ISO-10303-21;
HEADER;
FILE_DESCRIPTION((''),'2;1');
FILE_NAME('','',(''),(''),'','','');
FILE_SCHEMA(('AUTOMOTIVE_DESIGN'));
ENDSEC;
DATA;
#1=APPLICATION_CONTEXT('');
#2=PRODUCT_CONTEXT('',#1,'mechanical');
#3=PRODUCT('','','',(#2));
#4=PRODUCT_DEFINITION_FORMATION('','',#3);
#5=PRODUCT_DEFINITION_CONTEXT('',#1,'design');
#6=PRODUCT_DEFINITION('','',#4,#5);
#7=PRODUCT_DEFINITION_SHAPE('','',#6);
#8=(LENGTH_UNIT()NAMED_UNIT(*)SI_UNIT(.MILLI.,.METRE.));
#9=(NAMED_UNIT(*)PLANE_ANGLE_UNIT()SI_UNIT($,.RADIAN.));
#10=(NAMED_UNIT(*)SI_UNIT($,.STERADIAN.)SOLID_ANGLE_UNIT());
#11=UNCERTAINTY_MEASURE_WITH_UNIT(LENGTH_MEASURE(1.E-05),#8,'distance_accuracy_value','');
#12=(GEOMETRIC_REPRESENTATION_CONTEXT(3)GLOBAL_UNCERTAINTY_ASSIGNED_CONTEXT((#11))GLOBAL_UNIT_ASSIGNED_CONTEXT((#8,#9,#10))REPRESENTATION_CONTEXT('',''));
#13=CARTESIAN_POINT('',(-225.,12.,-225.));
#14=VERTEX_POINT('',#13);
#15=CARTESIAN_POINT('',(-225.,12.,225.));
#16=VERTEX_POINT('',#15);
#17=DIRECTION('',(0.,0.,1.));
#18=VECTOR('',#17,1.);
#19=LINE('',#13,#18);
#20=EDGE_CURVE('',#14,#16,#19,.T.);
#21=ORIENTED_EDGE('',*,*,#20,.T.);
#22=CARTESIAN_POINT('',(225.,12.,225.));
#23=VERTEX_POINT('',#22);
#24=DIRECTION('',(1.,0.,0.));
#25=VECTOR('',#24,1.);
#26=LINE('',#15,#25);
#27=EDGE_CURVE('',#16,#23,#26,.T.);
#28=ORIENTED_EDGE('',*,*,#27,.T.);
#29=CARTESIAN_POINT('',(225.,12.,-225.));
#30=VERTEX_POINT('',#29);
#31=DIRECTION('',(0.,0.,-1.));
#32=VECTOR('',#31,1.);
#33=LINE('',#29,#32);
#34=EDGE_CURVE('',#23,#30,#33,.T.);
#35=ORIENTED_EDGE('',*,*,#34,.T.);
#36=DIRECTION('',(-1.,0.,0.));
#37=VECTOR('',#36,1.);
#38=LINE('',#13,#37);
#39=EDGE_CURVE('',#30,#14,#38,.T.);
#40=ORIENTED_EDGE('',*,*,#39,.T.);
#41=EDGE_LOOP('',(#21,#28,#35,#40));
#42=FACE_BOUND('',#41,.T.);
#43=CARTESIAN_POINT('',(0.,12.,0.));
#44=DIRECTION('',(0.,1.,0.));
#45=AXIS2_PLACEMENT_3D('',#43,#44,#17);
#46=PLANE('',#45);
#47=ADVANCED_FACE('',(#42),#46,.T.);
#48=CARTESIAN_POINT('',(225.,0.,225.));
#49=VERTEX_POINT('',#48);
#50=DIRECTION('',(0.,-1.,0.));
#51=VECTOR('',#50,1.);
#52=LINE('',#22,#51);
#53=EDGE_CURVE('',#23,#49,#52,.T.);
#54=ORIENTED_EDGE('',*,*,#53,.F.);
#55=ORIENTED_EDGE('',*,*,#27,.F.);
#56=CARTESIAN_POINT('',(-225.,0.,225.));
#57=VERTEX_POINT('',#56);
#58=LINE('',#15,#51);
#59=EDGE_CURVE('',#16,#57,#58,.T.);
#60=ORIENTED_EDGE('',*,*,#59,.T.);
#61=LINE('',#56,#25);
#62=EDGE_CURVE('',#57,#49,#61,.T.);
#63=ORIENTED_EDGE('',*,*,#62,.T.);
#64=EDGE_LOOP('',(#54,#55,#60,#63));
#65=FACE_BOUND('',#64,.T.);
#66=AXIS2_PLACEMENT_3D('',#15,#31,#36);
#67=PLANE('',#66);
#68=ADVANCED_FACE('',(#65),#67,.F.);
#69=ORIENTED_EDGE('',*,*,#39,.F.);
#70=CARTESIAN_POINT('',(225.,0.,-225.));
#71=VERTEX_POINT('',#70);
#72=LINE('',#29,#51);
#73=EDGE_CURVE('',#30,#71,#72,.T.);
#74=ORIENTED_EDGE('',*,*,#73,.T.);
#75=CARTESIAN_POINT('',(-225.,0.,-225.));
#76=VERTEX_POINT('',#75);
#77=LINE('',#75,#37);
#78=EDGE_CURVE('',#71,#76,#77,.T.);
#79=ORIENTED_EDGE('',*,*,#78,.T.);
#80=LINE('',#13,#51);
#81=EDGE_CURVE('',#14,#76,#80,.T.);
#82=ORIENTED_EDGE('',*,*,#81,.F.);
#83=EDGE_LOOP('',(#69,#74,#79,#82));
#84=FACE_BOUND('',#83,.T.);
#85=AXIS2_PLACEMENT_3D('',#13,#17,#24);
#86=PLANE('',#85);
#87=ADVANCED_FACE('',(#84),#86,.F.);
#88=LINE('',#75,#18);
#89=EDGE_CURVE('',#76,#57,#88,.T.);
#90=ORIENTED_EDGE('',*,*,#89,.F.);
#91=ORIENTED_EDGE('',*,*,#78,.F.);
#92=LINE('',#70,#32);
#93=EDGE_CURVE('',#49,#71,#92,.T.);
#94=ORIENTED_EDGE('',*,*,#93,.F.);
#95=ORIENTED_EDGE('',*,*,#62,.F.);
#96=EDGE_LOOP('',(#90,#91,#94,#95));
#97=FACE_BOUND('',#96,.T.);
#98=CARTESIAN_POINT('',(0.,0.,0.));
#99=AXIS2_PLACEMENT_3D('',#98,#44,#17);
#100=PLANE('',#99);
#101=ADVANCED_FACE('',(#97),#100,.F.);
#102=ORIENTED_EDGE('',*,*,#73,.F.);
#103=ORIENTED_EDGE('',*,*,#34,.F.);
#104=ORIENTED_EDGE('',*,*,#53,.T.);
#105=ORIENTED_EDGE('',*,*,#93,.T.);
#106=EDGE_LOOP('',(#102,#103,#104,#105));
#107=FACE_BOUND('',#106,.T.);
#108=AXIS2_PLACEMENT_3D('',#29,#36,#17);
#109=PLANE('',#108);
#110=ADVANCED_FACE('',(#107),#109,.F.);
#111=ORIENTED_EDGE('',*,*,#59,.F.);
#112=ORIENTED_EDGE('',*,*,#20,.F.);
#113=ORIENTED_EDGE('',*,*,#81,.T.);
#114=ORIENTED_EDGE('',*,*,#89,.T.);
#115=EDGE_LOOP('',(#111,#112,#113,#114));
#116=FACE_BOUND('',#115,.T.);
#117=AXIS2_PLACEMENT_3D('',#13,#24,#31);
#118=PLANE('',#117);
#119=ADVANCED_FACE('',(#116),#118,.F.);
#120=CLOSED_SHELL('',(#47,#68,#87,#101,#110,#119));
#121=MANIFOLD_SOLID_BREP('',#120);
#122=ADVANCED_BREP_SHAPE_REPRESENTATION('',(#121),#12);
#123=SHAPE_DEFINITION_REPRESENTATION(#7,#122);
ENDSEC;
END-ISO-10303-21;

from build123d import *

# Parameters (mm, degrees)
SKETCH_1_W      = 450
SKETCH_1_H      = 450
EXTRUDE_1_DEPTH = 12


with BuildPart() as part:
    # ｽｹｯﾁ1 → ﾎﾞｽ - 押し出し1 (new body)
    with BuildSketch(Plane(origin=(0, 0, 0), x_dir=(1, 0, 0), z_dir=(0, 1, 0))):
        Rectangle(SKETCH_1_W, SKETCH_1_H)
    extrude(amount=EXTRUDE_1_DEPTH)


solid = part.part
